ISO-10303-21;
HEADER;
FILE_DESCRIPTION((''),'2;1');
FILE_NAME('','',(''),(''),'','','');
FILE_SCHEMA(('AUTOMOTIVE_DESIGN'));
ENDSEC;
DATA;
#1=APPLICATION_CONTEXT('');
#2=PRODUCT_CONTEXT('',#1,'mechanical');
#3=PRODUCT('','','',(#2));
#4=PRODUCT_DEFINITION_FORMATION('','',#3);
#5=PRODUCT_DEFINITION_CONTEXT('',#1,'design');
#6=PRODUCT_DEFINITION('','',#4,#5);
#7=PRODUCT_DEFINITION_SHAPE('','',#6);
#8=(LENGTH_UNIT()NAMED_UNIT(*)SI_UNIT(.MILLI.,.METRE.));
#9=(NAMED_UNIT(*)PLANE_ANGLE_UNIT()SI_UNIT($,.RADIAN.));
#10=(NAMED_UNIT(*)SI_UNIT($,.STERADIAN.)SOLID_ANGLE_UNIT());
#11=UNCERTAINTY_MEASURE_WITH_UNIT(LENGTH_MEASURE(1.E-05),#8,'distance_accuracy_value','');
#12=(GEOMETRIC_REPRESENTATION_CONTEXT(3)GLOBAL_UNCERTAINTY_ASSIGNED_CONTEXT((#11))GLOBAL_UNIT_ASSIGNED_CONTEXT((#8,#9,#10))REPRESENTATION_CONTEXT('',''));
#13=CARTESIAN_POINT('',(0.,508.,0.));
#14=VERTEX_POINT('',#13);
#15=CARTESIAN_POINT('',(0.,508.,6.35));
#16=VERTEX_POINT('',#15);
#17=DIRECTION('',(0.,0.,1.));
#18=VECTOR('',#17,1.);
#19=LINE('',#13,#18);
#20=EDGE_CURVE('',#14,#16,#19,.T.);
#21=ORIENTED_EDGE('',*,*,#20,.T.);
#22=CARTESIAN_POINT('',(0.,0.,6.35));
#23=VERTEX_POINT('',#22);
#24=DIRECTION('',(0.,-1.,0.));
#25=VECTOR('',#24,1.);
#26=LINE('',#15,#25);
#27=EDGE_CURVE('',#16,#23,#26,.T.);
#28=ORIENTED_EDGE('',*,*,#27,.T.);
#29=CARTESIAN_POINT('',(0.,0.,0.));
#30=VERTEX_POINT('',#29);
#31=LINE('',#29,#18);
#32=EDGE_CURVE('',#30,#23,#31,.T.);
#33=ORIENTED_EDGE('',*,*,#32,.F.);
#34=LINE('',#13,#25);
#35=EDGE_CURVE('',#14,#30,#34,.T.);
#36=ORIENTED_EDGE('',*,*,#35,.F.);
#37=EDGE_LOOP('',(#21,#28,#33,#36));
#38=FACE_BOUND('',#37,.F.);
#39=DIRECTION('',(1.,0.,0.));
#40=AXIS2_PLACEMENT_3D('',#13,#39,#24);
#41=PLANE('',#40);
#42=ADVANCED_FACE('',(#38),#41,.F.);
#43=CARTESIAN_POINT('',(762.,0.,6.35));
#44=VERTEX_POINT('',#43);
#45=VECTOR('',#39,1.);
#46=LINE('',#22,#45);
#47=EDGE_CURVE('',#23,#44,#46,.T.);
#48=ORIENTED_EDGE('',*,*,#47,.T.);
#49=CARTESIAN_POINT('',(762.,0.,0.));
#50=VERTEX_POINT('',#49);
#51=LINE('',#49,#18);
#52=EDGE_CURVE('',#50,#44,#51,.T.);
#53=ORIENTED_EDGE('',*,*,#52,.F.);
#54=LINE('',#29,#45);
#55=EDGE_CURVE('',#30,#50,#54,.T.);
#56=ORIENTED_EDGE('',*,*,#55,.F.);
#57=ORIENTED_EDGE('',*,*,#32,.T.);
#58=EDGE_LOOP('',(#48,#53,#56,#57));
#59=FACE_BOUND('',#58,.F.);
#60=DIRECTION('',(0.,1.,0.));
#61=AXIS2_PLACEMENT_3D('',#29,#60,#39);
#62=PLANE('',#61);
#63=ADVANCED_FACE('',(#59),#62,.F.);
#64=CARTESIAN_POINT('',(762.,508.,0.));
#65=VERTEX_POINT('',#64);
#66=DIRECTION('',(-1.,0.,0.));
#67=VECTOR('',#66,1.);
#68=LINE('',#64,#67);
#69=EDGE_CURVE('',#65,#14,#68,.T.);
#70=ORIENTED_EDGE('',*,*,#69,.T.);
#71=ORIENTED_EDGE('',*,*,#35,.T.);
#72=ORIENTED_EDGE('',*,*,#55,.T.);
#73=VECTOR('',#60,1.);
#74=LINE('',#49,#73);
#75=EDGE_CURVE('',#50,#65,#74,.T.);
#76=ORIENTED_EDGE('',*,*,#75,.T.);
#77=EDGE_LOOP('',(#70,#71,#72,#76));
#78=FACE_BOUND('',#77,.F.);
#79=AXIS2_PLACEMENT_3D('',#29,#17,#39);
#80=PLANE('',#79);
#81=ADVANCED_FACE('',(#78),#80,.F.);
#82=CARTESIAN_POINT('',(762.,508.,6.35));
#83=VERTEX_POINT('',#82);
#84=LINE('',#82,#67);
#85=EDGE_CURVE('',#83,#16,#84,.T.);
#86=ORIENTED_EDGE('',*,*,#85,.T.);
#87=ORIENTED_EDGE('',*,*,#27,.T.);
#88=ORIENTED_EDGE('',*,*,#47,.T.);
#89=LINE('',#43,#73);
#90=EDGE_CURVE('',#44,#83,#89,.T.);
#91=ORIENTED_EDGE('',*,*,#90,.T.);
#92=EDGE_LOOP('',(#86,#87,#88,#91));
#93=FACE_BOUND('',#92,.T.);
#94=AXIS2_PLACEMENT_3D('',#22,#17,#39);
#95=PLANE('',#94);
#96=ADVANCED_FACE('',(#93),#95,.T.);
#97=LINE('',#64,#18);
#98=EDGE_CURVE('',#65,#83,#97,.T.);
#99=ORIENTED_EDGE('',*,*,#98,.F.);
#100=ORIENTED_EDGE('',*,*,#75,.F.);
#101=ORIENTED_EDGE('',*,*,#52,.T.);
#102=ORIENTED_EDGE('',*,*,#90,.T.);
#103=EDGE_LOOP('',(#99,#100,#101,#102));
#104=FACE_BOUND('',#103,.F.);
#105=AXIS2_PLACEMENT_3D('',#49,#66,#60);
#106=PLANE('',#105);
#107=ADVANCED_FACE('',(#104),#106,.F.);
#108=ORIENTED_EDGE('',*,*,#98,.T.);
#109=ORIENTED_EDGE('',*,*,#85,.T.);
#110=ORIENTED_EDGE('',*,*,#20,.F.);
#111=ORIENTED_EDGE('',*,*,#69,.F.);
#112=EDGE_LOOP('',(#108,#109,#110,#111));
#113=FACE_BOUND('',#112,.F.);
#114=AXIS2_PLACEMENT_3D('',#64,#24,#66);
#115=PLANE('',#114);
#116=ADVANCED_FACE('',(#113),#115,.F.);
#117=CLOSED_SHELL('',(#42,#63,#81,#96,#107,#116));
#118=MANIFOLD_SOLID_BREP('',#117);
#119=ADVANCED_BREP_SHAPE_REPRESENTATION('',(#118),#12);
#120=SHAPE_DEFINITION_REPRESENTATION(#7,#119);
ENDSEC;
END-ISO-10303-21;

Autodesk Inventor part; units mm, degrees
ref_plane "YZ Plane" through (0, 0, 0) normal (1, 0, 0) x (0, 1, 0)
ref_plane "XZ Plane" through (0, 0, 0) normal (0, 1, 0) x (-1, 0, 0)
ref_plane "XY Plane" through (0, 0, 0) normal (0, 0, 1) x (1, 0, 0)
sketch "Sketch1" plane through (0, 0, 0) normal (0, 0, 1) x (1, 0, 0)
  line L0 (0, 0) -> (762, 0)
  line L1 (762, 0) -> (762, 508)
  line L2 (762, 508) -> (0, 508)
  line L3 (0, 508) -> (0, 0)
  dimension "d0" = 762
  dimension "d1" = 508
extrude "Extrusion1" add sketch "Sketch1" along normal blind 6.35
properties part number "Starting position purple"
